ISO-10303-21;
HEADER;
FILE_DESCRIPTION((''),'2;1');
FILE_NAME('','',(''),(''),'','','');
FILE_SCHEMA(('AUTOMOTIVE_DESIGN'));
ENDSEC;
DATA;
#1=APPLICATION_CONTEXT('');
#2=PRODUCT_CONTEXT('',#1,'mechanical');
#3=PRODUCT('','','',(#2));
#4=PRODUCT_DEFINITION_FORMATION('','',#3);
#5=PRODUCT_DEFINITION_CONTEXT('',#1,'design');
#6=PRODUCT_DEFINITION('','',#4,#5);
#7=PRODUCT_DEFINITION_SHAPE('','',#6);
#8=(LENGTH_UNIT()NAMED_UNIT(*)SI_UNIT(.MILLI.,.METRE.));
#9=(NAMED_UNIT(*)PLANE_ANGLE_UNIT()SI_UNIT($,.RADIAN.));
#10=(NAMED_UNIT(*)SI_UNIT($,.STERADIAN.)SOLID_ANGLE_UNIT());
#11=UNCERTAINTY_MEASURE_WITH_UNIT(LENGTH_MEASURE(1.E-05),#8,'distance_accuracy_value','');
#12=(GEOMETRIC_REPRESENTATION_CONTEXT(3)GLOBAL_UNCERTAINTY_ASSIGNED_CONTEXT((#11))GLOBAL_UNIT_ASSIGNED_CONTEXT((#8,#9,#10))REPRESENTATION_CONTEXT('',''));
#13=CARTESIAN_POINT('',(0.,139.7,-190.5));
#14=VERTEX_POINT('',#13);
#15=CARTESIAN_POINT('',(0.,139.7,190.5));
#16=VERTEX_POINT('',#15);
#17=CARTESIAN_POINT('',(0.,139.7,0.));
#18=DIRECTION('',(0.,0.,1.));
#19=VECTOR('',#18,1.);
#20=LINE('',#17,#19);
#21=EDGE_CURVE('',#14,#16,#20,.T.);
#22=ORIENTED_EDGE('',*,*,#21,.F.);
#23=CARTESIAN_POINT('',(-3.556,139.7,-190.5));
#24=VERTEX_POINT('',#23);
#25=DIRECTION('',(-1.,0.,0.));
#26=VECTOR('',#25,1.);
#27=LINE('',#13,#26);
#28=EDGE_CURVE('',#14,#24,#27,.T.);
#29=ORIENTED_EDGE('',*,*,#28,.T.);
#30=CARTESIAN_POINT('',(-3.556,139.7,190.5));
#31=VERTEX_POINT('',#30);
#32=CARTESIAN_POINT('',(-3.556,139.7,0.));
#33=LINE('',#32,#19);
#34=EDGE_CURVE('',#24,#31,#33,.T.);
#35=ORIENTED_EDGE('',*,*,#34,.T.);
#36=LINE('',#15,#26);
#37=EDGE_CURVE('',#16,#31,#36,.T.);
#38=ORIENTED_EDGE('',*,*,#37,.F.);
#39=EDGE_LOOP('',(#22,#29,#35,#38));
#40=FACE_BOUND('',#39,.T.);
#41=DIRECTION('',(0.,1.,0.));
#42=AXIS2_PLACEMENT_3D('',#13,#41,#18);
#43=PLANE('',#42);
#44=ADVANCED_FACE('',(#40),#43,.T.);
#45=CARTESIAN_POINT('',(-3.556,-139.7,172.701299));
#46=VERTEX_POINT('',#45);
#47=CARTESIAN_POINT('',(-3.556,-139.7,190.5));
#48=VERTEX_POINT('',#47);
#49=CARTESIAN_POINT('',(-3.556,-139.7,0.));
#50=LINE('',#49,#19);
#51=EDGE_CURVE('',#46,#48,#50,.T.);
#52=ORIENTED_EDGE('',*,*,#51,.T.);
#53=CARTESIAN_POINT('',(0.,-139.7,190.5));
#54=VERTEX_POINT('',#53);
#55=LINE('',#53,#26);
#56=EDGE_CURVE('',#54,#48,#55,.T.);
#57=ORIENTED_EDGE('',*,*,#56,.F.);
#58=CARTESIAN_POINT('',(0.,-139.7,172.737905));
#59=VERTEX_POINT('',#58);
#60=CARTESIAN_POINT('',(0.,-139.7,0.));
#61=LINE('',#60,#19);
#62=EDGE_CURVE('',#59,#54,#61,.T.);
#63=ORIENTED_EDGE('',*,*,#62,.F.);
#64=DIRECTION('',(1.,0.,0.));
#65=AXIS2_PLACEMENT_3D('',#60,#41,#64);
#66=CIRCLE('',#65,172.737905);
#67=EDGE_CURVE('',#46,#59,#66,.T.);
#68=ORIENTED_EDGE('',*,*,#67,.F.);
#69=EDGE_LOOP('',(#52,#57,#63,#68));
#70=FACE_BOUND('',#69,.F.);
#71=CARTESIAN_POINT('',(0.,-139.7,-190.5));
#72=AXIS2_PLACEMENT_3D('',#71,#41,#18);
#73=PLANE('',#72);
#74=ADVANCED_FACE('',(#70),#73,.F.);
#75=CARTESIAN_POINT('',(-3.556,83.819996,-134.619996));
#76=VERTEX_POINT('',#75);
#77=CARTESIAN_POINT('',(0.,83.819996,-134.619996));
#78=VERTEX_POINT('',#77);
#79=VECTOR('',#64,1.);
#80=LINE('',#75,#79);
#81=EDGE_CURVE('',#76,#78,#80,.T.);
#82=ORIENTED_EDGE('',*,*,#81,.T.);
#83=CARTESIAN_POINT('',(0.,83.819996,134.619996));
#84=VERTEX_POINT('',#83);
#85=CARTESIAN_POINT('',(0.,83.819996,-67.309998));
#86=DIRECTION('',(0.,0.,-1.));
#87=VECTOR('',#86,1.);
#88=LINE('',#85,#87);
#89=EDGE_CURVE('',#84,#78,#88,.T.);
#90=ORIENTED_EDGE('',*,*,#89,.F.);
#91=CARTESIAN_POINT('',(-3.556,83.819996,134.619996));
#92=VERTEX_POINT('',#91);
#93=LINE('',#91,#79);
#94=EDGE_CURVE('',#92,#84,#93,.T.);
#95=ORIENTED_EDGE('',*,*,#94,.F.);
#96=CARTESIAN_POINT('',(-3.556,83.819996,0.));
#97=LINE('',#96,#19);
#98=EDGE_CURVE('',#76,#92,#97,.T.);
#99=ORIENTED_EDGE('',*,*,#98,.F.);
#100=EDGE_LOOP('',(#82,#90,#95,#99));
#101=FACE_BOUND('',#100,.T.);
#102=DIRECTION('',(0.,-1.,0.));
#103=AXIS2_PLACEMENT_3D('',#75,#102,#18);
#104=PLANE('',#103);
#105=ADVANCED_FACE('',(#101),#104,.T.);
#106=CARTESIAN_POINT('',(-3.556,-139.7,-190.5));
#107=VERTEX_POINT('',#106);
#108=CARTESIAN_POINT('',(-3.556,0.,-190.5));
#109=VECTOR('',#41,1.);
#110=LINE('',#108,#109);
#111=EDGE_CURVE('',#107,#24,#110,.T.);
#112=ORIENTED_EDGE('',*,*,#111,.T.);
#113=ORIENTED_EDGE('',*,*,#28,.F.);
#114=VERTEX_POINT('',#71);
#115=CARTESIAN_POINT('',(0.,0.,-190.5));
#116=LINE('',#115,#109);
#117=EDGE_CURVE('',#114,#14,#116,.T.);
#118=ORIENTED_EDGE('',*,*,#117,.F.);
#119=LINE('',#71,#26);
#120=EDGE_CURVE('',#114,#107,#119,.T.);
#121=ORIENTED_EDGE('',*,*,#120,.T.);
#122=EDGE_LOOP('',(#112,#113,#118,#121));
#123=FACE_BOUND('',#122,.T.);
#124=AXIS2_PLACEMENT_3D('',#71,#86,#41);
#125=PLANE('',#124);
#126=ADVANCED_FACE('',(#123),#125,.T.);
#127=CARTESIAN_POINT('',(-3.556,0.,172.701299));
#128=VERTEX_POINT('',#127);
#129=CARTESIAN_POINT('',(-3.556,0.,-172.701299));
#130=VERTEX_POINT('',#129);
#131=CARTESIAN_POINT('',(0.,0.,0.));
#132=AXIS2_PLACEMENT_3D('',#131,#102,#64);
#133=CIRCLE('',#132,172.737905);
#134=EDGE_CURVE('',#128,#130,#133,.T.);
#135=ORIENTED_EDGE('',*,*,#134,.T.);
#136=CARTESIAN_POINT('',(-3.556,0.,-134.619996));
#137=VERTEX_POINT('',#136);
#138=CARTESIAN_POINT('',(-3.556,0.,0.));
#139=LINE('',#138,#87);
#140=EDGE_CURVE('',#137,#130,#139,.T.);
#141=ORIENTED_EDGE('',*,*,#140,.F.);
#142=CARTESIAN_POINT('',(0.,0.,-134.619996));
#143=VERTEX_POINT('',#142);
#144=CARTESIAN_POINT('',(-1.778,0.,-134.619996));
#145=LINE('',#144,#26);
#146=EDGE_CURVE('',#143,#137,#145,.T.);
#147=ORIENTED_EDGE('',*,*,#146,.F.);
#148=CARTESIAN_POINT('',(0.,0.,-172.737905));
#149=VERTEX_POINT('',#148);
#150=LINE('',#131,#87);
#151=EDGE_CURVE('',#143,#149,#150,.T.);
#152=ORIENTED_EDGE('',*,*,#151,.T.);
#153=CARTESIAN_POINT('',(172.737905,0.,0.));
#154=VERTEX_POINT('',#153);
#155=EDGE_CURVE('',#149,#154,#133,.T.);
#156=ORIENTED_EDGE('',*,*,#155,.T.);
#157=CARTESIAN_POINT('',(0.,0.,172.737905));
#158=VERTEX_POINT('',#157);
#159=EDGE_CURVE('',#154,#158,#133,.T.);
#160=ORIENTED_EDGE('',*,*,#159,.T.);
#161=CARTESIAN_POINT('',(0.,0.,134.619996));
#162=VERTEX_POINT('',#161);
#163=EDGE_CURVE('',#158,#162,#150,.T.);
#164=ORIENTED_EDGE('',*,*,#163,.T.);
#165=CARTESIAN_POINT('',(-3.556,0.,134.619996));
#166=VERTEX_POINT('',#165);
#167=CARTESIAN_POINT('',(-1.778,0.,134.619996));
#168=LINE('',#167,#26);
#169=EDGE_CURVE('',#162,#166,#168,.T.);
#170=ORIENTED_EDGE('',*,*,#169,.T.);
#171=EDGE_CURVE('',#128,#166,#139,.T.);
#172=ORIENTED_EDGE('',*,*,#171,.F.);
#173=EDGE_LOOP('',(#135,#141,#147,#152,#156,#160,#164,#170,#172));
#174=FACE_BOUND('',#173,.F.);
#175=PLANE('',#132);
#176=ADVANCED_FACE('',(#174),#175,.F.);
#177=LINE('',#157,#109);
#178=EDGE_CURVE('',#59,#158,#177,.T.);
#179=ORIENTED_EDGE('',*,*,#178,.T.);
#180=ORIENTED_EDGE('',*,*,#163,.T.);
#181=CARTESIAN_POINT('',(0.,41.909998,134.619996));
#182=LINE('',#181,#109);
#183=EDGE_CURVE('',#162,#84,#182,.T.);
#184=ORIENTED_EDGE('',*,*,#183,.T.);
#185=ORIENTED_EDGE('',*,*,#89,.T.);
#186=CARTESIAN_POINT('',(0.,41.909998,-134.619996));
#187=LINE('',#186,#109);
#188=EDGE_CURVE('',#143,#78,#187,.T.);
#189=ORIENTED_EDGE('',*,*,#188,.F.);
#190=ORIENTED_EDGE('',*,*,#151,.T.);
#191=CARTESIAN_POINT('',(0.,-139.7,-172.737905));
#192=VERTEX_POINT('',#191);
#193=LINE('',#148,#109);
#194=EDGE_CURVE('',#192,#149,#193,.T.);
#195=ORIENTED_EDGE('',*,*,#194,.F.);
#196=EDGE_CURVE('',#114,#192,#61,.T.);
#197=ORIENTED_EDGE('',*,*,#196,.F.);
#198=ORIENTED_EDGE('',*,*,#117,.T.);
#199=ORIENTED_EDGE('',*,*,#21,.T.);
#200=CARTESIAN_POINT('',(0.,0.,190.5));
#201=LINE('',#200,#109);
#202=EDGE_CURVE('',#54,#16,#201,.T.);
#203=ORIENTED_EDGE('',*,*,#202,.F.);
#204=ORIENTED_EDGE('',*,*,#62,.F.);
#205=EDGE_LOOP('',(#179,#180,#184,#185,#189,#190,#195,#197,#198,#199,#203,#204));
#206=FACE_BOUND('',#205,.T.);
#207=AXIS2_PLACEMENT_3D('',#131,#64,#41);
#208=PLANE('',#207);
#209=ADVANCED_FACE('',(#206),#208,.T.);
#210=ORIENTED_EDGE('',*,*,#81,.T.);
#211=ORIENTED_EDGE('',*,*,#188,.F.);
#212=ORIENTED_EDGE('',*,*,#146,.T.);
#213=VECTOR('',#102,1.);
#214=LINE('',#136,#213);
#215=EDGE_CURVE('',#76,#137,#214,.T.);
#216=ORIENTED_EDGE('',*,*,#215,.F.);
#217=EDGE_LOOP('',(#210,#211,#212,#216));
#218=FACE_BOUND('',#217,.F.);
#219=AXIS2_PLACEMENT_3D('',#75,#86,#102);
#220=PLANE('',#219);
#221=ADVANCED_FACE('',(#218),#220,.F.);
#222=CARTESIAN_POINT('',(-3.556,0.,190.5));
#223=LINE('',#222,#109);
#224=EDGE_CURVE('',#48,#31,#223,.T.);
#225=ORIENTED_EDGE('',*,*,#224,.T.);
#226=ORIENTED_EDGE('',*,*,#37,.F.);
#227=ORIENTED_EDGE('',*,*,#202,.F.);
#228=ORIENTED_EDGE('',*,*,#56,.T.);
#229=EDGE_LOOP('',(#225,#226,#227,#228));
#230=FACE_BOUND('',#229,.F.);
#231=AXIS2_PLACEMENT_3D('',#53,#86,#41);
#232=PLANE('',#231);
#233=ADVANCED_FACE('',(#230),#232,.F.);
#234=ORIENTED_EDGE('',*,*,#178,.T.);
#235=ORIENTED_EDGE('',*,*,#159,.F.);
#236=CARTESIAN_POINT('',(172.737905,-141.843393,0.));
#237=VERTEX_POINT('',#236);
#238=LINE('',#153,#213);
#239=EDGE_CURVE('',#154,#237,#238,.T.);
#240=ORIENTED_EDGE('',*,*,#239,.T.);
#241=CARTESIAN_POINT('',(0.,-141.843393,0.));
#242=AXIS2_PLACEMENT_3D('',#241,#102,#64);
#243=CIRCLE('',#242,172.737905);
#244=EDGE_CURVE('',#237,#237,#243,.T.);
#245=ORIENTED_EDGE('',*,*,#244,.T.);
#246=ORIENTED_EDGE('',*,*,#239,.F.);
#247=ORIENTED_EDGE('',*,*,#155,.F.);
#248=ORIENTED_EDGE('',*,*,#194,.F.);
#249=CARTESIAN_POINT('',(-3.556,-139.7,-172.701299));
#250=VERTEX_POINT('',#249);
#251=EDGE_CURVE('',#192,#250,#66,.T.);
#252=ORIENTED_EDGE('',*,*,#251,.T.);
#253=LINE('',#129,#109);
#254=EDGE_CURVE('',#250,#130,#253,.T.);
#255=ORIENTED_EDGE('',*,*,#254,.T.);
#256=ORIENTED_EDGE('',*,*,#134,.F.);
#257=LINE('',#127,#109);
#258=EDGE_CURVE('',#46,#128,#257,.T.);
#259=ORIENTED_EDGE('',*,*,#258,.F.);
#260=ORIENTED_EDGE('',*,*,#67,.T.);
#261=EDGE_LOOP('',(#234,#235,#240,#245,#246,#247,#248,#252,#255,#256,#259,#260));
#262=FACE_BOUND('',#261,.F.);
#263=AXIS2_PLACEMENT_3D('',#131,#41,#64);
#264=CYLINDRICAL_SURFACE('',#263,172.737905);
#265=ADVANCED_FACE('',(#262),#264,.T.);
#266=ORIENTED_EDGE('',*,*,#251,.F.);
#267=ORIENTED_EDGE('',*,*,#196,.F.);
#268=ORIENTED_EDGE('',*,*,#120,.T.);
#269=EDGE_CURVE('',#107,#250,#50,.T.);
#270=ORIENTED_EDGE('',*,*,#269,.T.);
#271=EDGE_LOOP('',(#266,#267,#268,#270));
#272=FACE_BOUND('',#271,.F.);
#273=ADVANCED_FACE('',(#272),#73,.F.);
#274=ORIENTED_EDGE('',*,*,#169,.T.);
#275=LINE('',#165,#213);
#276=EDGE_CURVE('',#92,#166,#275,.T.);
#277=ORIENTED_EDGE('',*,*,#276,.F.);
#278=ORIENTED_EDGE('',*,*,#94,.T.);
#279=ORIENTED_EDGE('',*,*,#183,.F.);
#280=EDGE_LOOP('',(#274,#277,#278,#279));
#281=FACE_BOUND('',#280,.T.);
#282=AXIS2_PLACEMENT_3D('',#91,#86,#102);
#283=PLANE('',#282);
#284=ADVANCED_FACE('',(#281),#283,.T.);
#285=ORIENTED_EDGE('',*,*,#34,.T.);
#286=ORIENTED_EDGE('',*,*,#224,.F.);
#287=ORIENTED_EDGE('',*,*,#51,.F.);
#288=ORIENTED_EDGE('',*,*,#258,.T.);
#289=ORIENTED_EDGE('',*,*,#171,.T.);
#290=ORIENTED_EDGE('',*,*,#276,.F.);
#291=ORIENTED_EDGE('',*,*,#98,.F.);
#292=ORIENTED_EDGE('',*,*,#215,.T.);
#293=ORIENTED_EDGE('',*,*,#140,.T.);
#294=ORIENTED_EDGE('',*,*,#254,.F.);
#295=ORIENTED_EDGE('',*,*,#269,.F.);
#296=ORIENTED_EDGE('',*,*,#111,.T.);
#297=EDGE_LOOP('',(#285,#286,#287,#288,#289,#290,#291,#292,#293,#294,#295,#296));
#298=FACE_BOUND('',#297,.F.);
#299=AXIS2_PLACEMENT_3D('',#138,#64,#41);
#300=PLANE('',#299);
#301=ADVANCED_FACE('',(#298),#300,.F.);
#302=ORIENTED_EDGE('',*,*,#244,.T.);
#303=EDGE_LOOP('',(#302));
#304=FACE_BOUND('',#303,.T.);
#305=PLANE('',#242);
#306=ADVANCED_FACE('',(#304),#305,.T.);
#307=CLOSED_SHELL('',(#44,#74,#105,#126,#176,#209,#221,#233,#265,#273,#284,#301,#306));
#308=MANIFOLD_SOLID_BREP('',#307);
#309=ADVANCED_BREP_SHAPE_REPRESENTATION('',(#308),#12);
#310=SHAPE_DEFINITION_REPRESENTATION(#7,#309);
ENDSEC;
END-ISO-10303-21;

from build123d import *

# Parameters (mm, degrees)
F0_W     = 279.4
F0_H     = 381
F1_DEPTH = 3.556
F2_W     = 167.639992
F2_H     = 269.239992
F3_DEPTH = 56.388
F4_R     = 172.737905
F5_DEPTH = 141.843393


with BuildPart() as f1:
    # F0 (on Right) → F1 (new body)
    with BuildSketch(Plane.YZ):
        Rectangle(F0_W, F0_H)
    extrude(amount=-F1_DEPTH)

    # F2 (on face) → F3 (cut)
    with BuildSketch(Plane(origin=(-3.556, 0, 0), x_dir=(0, -1, 0), z_dir=(-1, 0, 0))):
        Rectangle(F2_W, F2_H)
    extrude(amount=-F3_DEPTH, mode=Mode.SUBTRACT)

    # F4 (on Front) → F5 (join)
    with BuildSketch(Plane.XZ):
        Circle(F4_R)
    extrude(amount=F5_DEPTH)


solid = f1.part
